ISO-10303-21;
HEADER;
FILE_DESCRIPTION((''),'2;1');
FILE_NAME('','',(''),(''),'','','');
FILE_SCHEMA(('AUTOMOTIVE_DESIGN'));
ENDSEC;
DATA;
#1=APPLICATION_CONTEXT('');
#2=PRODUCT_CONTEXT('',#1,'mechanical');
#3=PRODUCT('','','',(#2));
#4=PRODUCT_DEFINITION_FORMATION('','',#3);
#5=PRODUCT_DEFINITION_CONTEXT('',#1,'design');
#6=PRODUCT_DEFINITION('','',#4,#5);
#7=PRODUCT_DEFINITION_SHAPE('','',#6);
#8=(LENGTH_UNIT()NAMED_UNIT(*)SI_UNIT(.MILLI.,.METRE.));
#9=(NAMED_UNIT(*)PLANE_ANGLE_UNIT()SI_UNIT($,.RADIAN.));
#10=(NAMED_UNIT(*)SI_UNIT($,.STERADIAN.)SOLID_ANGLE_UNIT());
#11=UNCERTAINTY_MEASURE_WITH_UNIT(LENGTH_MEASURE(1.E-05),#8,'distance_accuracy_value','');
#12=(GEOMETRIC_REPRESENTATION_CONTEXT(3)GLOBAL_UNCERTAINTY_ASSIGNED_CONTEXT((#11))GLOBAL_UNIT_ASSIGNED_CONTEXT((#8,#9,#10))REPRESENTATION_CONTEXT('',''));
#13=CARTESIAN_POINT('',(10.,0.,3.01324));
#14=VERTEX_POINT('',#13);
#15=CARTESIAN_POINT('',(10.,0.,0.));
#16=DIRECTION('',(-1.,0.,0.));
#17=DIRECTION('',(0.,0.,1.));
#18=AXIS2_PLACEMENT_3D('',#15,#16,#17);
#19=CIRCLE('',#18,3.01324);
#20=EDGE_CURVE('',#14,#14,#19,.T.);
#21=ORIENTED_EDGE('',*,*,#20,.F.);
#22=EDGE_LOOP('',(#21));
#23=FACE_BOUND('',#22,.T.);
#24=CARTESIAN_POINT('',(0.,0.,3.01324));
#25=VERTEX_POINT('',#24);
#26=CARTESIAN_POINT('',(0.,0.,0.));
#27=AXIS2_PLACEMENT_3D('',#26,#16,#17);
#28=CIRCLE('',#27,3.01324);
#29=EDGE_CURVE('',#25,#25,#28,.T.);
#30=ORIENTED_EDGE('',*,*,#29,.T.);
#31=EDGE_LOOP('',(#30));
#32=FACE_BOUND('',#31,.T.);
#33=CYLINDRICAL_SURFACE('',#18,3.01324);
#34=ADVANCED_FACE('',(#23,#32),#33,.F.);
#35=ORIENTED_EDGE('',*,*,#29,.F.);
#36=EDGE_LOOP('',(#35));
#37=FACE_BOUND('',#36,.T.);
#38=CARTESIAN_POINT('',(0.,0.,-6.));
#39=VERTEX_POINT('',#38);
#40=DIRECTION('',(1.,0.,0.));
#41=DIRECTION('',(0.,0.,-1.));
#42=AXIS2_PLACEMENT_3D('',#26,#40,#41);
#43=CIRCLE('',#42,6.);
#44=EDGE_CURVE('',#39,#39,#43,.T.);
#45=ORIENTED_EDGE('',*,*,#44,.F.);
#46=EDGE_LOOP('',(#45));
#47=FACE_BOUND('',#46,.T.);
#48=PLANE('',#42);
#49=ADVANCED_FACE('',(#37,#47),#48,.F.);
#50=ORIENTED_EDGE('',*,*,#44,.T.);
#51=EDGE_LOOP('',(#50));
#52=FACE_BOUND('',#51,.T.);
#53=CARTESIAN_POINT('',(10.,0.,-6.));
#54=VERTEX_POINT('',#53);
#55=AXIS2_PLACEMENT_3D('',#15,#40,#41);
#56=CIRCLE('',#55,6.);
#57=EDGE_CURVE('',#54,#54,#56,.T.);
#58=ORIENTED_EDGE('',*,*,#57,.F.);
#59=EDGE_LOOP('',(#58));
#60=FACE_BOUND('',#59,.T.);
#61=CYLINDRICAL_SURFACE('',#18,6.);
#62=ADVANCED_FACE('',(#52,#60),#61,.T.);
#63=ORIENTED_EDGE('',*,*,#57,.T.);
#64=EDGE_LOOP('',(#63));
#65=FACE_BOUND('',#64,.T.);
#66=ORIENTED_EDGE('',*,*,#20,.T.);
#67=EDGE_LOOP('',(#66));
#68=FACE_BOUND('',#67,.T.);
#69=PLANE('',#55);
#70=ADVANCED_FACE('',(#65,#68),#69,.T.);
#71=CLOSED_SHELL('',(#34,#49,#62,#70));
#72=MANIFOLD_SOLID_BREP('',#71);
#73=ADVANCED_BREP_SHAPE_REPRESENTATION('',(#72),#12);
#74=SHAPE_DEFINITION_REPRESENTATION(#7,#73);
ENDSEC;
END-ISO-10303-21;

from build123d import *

# Parameters (mm, degrees)
CROQUIS2_R              = 6
SALIENTE_EXTRUIR1_DEPTH = 10
CROQUIS3_R              = 3.013240458
CORTAR_EXTRUIR1_DEPTH   = 10


with BuildPart() as part:
    # Croquis2 → Saliente-Extruir1 (new body)
    with BuildSketch(Plane(origin=(0, 0, 0), x_dir=(0, 0, -1), z_dir=(1, 0, 0))):
        Circle(CROQUIS2_R)
    extrude(amount=SALIENTE_EXTRUIR1_DEPTH)

    # Croquis3 → Cortar-Extruir1 (cut)
    with BuildSketch(Plane.ZY):
        Circle(CROQUIS3_R)
    extrude(amount=-CORTAR_EXTRUIR1_DEPTH, mode=Mode.SUBTRACT)


solid = part.part
